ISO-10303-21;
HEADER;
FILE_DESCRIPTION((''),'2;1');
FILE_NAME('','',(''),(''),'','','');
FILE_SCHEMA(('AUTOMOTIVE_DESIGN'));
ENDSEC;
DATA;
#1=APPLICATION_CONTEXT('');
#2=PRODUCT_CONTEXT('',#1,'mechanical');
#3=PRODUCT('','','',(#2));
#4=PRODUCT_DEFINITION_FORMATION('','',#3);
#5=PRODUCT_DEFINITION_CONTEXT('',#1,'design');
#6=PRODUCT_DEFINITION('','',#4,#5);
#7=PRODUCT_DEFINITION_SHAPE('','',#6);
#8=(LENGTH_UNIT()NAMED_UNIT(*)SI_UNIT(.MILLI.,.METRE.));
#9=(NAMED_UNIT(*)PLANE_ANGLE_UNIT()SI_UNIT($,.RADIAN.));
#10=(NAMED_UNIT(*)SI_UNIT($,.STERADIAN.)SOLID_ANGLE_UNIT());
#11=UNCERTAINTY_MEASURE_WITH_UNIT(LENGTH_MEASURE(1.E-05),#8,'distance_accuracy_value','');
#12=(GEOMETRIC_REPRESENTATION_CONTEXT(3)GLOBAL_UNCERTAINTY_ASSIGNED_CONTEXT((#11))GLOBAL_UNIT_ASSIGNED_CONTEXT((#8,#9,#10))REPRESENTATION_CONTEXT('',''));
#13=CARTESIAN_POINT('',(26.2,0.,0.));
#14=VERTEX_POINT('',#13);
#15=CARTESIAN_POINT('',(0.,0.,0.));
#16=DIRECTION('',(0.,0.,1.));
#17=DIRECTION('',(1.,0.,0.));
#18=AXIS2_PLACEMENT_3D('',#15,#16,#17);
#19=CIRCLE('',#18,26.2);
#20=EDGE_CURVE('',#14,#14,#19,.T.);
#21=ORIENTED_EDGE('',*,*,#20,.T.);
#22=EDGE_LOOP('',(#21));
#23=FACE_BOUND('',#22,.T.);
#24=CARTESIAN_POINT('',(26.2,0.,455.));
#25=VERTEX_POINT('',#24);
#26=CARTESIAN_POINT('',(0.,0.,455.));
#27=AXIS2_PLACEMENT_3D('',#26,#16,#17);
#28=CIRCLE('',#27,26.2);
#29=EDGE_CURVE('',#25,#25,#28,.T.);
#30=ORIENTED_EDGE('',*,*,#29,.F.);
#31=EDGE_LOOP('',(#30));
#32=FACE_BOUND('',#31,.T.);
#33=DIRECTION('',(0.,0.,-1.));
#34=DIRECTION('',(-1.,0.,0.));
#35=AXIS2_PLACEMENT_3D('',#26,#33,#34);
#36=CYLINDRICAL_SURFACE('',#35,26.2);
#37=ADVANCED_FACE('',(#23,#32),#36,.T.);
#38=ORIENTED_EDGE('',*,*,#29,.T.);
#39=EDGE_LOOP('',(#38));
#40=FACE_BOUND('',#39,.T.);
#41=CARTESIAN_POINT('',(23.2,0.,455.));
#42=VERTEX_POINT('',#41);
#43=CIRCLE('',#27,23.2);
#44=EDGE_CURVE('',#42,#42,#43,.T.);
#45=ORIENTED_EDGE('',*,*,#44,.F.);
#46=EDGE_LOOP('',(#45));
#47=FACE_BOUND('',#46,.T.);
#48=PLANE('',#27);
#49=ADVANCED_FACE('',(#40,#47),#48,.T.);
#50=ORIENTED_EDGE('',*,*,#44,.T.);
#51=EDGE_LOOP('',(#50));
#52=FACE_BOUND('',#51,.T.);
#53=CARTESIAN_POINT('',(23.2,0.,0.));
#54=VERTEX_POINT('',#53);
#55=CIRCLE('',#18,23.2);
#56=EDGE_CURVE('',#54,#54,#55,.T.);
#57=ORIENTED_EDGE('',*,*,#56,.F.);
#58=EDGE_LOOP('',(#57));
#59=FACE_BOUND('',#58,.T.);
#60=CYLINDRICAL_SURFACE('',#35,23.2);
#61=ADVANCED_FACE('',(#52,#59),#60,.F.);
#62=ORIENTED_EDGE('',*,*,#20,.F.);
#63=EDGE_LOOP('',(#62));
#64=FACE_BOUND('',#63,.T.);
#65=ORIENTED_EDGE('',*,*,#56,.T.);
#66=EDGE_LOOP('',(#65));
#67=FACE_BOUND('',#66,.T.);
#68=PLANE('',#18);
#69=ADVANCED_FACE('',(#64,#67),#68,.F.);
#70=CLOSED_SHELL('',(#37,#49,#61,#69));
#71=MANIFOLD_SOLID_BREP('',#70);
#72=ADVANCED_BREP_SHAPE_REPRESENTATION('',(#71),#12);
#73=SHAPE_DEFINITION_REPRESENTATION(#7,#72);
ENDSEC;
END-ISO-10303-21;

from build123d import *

# Parameters (mm, degrees)
CROQUIS1_R              = 26.2
CROQUIS1_R_2            = 23.2
SALIENTE_EXTRUIR1_DEPTH = 455


with BuildPart() as part:
    # Croquis1 → Saliente-Extruir1 (new body)
    with BuildSketch(Plane.XY):
        Circle(CROQUIS1_R)
        Circle(CROQUIS1_R_2, mode=Mode.SUBTRACT)
    extrude(amount=SALIENTE_EXTRUIR1_DEPTH)


solid = part.part
